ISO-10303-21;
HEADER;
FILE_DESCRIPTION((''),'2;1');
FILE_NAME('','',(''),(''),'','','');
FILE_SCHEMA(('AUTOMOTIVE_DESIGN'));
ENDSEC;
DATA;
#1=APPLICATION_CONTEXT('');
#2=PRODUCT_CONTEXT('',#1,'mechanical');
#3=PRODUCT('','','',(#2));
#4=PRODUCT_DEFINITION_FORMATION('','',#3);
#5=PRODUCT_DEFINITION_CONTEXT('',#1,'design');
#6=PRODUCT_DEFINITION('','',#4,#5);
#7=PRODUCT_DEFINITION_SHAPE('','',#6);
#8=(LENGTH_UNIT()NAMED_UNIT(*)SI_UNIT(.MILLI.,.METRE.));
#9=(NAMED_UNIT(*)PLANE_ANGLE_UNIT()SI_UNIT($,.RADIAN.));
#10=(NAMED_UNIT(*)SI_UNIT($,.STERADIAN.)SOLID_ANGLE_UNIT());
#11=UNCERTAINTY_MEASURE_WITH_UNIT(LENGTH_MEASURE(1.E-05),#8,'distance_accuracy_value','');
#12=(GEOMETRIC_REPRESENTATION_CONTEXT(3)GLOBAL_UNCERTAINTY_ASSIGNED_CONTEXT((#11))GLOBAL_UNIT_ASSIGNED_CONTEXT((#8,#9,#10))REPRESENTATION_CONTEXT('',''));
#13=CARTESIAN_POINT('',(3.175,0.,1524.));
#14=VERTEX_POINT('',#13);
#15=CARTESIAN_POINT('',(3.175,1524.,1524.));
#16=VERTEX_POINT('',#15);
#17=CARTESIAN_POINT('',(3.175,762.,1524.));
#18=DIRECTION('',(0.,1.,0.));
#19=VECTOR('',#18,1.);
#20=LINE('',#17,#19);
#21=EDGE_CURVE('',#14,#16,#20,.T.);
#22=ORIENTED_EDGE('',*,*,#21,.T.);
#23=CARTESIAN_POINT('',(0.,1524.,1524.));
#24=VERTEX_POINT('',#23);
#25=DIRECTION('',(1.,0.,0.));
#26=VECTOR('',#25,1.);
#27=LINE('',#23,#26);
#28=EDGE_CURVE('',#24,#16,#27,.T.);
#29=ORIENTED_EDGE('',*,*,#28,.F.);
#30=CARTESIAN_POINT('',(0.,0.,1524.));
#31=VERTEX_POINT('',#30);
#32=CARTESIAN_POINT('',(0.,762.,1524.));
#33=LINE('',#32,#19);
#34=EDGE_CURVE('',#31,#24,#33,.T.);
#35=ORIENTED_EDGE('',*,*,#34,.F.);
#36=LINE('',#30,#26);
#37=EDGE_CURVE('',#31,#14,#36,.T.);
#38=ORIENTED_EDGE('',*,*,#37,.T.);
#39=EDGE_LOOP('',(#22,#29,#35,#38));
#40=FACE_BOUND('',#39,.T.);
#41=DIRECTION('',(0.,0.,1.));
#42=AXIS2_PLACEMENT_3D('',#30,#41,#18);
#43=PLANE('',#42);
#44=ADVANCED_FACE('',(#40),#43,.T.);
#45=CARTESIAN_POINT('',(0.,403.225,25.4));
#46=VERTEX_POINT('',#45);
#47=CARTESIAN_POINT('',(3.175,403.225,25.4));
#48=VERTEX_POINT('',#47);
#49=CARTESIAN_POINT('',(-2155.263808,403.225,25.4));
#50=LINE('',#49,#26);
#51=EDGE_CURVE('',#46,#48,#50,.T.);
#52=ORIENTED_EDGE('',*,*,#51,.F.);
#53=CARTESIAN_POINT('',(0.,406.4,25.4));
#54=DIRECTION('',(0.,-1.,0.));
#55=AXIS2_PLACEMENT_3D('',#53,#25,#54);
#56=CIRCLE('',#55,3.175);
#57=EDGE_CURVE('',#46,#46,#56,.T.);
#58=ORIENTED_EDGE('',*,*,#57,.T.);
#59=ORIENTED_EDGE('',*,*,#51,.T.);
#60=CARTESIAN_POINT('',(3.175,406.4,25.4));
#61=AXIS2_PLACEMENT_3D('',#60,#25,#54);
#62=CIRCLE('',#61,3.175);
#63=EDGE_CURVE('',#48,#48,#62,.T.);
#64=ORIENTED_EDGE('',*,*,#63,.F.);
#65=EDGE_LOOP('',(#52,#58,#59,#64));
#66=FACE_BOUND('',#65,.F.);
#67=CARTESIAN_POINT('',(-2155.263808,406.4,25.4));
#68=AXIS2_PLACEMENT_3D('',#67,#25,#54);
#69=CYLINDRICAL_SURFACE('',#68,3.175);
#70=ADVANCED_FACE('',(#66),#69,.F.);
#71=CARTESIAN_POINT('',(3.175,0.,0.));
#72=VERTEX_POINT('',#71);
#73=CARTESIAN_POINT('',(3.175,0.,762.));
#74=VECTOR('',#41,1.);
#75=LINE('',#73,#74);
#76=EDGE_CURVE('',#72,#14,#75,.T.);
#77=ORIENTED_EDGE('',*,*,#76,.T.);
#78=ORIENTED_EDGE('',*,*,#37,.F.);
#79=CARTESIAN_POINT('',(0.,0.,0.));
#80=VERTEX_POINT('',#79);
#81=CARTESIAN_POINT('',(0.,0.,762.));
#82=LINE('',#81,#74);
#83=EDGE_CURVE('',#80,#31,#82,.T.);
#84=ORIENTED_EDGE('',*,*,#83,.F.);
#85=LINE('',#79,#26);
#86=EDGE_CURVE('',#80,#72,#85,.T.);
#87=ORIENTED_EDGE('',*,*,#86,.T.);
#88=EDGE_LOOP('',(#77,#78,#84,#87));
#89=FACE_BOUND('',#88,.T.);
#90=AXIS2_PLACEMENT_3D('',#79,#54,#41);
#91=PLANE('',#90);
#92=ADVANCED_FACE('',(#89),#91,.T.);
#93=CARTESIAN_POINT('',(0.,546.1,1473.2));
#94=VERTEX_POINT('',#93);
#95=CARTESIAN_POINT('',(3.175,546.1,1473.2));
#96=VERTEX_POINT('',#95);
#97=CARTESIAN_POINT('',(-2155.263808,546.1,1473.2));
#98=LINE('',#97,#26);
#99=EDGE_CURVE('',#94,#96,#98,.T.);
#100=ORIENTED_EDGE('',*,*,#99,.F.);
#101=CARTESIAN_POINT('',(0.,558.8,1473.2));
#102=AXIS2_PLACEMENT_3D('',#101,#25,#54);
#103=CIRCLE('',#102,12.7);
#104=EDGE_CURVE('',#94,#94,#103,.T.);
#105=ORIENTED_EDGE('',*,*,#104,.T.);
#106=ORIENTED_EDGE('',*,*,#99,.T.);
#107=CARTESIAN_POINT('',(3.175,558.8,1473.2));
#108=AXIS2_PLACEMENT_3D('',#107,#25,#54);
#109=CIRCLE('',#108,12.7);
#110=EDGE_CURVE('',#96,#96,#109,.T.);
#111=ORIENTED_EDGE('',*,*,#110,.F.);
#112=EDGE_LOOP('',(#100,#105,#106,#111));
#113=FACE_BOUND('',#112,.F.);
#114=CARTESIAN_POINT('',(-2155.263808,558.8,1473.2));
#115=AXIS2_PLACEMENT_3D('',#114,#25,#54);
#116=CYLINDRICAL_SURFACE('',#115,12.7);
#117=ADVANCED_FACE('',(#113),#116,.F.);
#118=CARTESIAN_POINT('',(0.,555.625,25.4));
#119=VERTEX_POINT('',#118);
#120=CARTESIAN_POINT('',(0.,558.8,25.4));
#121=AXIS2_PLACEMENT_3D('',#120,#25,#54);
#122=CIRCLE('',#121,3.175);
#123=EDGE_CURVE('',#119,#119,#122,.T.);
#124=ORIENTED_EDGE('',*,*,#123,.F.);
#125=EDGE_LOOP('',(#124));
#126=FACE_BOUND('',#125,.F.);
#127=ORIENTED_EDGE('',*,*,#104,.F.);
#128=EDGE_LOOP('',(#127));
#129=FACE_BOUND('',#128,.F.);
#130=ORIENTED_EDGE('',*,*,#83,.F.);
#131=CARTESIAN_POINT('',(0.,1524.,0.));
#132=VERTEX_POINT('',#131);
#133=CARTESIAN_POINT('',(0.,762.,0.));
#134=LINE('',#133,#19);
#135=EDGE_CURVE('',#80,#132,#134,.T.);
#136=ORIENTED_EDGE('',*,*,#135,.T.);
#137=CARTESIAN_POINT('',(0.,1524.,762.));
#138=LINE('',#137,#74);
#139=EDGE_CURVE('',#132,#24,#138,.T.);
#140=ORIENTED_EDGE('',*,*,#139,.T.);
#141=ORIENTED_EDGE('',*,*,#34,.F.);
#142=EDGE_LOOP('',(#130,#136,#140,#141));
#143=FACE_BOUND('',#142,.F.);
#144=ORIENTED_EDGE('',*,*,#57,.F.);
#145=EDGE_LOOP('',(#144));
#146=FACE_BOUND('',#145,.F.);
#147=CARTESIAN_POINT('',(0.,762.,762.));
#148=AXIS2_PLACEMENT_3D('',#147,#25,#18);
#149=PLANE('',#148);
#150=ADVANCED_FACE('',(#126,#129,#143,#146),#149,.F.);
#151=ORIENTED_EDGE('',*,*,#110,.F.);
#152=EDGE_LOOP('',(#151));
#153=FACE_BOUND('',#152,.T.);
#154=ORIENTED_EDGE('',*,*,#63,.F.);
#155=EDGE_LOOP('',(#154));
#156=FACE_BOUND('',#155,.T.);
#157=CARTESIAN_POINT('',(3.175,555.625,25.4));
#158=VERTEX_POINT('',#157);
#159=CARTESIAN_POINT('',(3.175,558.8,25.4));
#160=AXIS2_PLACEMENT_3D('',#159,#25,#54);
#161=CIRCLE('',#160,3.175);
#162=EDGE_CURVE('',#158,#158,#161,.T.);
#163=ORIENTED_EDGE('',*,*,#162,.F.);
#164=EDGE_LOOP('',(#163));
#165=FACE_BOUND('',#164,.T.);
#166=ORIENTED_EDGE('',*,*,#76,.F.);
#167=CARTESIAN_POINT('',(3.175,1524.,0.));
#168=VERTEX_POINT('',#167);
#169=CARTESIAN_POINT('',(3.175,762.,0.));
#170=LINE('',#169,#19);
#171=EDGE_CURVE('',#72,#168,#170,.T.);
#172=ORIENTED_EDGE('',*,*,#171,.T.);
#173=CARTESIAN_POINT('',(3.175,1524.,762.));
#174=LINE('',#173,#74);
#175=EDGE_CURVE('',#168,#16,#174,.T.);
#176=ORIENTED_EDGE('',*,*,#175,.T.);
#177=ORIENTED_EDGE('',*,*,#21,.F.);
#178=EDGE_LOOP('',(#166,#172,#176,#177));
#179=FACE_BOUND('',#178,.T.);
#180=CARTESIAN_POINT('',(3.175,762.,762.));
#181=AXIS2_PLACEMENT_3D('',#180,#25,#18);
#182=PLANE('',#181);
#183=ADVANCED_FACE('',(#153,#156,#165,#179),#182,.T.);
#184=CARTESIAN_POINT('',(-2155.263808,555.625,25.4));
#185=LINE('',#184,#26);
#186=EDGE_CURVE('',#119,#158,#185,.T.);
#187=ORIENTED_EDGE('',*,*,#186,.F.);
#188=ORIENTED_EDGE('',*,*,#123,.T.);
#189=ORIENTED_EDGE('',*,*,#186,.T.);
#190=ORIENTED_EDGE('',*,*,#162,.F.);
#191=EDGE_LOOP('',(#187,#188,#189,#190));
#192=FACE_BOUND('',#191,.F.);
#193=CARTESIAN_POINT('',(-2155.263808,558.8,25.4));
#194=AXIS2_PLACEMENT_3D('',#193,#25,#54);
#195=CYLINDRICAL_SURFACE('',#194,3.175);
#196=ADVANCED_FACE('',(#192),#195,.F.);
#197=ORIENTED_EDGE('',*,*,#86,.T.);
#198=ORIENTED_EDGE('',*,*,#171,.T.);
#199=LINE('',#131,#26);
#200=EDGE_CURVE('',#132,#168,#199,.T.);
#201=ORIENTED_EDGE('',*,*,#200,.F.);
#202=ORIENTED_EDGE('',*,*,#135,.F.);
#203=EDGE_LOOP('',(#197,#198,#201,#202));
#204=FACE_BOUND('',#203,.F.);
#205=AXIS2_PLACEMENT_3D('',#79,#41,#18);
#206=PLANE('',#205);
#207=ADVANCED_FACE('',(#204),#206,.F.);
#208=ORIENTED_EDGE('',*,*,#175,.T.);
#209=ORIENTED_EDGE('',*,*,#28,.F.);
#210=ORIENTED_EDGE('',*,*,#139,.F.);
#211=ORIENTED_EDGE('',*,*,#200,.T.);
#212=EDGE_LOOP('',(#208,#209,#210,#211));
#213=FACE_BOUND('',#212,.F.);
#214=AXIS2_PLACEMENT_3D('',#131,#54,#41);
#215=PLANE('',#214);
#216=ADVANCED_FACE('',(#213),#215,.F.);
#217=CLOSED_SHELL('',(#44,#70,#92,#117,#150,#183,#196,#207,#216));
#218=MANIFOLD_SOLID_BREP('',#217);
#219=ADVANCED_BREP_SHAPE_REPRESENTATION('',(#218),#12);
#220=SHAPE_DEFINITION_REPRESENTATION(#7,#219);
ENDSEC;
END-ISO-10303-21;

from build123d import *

# Parameters (mm, degrees)
F0_W     = 1524
F0_H     = 1524
F1_DEPTH = 3.175
F2_D     = 6.35
F3_D     = 6.35
F4_D     = 25.4


with BuildPart() as f1:
    # F0 (on Right) → F1 (new body)
    with BuildSketch(Plane.YZ):
        with Locations((762, 762)):
            Rectangle(F0_W, F0_H)
    extrude(amount=F1_DEPTH)

    # F2 (through all)
    with Locations(Plane(origin=(0, 0, 0), x_dir=(0, 1, 0), z_dir=(-1, 0, 0))):
        with Locations((406.4, -25.4)):
            Hole(F2_D / 2)

    # F3 (through all)
    with Locations(Plane(origin=(0, 0, 0), x_dir=(0, 1, 0), z_dir=(-1, 0, 0))):
        with Locations((558.8, -25.4)):
            Hole(F3_D / 2)

    # F4 (through all)
    with Locations(Plane(origin=(0, 0, 0), x_dir=(0, 1, 0), z_dir=(-1, 0, 0))):
        with Locations((558.8, -1473.2)):
            Hole(F4_D / 2)


solid = f1.part
